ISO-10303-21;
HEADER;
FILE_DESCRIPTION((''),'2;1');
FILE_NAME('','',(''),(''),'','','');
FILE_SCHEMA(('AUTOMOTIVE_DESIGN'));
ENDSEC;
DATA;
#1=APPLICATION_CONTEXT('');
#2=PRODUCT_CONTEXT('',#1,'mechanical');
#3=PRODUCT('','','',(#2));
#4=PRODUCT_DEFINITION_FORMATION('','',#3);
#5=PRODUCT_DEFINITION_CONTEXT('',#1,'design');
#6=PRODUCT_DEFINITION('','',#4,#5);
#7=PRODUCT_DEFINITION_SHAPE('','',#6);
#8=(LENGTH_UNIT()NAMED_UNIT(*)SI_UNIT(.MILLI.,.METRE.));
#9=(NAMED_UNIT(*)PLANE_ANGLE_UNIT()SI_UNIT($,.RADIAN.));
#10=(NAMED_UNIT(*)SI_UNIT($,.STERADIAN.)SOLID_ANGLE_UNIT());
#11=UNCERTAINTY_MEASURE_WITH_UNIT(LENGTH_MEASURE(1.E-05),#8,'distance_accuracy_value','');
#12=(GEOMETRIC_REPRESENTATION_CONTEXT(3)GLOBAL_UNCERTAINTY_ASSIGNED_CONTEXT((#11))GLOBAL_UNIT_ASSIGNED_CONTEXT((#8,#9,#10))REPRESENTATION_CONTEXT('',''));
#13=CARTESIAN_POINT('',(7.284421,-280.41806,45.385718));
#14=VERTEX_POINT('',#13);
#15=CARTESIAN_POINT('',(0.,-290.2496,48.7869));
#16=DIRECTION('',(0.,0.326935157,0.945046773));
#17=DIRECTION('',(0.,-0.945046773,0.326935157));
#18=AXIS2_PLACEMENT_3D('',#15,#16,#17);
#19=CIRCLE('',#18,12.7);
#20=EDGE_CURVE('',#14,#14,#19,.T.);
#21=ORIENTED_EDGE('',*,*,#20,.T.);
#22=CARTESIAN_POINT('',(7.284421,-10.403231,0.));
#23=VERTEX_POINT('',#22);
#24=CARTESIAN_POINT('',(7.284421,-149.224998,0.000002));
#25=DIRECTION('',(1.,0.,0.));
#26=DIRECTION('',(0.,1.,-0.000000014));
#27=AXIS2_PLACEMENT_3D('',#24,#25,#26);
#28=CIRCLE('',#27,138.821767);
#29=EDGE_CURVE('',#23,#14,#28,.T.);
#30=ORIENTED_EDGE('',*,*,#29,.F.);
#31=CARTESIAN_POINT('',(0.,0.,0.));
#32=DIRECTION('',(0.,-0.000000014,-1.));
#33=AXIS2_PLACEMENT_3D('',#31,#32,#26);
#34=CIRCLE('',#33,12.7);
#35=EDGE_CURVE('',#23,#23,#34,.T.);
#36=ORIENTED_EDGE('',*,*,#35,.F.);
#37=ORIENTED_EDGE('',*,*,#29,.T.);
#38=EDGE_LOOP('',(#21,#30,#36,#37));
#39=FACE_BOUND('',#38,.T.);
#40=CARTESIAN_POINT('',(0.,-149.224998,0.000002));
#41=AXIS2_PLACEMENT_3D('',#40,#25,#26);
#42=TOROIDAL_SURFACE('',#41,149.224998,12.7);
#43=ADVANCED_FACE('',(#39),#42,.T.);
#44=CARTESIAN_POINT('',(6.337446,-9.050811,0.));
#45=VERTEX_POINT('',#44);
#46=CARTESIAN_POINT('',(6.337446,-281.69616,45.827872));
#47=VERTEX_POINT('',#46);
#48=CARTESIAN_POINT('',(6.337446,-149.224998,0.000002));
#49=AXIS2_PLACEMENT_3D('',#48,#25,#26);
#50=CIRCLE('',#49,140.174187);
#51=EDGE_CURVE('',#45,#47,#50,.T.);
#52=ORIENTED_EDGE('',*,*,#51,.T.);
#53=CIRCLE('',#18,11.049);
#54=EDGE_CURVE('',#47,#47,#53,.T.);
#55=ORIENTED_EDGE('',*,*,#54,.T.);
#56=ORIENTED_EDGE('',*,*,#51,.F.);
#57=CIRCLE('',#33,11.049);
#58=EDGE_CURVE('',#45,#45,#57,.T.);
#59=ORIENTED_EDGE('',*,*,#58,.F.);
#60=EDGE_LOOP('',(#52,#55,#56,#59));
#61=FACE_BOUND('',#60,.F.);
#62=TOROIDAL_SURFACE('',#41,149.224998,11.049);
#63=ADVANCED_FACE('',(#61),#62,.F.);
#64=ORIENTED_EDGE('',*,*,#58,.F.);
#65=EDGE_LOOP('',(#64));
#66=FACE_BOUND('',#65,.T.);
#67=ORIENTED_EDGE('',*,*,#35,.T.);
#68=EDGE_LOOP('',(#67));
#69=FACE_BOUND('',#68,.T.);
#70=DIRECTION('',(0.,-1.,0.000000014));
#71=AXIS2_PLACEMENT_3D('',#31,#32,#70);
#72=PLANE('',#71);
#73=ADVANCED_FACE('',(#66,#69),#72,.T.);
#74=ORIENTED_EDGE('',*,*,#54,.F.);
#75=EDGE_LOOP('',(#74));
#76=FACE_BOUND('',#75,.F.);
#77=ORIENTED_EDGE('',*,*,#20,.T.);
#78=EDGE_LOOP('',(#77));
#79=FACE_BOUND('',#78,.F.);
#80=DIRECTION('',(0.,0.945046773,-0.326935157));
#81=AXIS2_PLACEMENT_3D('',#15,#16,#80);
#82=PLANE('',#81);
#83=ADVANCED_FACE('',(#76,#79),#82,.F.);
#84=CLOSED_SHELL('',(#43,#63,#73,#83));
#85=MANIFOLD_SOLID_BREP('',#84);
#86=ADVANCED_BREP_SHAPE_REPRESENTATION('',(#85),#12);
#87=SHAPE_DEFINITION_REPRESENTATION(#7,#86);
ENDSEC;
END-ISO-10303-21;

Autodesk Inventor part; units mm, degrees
sketch "Sketch" plane through (0, 0, 0) normal (0, 0, -1) x (0.5736, -0.8192, 0)
  circle A0 centre (0, 0) radius 12.7
  circle A1 centre (0, 0) radius 11.049
  dimension "d0" = 25.4
  dimension "d1" = 1.651
ref_plane "Start Plane" through (0, 0, 0) normal (1, 0, 0) x (0, 1, 0)
ref_plane "End Plane" through (419.1034, 0, 0) normal (1, 0, 0) x (0, 1, 0)
sketch "Sketch2" plane through (0, 0, 0) normal (1, 0, 0) x (0, 1, 0)
  line L0 (0, 0) -> (10, 0)
ref_plane "Work Plane3" through (0, 0, 0) normal (0, 0, -1) x (0, 1, 0)
sketch "Sketch3" plane through (0, 0, 0) normal (0, 0, -1) x (0, 1, 0)
  line L0 (-2, 0) -> (12, 0)
  line L1 (-365.242, 419.1034) -> (75.6903, 419.1034)
  dimension "d9" = 419.1034
ref_plane "Orientation Work Plane" through (0, 0, 0) normal (0, 0, -1) x (0.5736, -0.8192, 0)
sketch3d "Sweep Path"
  arc A0 (0, 0, 0) -> (0, -290.2496, 48.7869) centre (0, -149.225, 0) ccw
sweep "Body" add profiles "Sketch" path "Sweep Path"
equation "\"G_OFFSET_START\" = 0"
equation "\"G_OFFSET_END\" = 0"
equation "\"d5\" = d2 + G_OFFSET_END"
equation "\"G_L\" = d9"
equation "\"d2\" = 419.103436"
properties part number "4130_1x0.065" material "Steel, Alloy"
